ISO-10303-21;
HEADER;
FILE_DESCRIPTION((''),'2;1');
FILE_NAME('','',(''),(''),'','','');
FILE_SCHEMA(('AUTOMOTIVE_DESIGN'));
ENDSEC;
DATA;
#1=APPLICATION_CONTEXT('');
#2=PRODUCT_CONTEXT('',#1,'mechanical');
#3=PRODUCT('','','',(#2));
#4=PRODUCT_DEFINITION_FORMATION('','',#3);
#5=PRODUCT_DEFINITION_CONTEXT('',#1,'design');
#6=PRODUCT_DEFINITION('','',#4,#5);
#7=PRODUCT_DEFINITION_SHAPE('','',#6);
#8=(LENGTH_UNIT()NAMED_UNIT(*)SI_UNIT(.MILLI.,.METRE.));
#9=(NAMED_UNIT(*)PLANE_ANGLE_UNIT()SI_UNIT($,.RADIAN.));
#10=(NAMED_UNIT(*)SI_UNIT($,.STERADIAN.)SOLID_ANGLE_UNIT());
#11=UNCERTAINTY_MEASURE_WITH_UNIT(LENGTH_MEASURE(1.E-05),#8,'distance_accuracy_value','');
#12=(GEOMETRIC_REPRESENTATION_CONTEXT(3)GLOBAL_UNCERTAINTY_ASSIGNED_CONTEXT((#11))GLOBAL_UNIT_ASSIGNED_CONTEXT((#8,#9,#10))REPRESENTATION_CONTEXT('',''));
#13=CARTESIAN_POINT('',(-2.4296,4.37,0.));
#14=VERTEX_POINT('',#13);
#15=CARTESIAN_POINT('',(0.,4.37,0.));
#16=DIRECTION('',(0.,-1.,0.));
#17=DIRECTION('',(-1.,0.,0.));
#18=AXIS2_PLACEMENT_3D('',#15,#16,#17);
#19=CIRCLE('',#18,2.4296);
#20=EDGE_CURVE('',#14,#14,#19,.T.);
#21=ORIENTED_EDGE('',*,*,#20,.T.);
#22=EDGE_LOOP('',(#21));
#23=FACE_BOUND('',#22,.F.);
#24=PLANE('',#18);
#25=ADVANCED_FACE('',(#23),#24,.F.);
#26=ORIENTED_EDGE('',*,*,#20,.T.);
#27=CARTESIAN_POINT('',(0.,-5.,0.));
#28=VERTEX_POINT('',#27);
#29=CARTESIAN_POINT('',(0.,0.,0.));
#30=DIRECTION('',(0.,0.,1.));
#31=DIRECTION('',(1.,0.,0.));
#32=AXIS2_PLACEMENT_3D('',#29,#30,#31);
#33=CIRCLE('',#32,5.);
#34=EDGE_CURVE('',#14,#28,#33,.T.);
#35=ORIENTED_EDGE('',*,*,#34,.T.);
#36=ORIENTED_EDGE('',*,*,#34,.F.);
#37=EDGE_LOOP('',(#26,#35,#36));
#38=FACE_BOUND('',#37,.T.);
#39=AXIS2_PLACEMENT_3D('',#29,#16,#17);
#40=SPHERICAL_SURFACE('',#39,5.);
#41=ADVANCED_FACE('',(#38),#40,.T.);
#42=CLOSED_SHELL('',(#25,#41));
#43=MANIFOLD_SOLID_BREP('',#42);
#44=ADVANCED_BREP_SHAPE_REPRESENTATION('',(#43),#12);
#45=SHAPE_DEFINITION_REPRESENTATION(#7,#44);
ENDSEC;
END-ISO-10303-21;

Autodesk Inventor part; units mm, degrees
ref_plane "YZ Plane" through (0, 0, 0) normal (1, 0, 0) x (0, 1, 0)
ref_plane "XZ Plane" through (0, 0, 0) normal (0, 1, 0) x (-1, 0, 0)
ref_plane "XY Plane" through (0, 0, 0) normal (0, 0, 1) x (1, 0, 0)
sketch "Sketch1" plane through (0, 0, 0) normal (0, 0, 1) x (1, 0, 0)
  circle A0 centre (0, 0) radius 5
  line L0 (-3.2169, -5) -> (4.2904, -5) construction
  line L1 (-2.4296, 4.37) -> (2.4296, 4.37)
  line L2 (0, 4.37) -> (0, -5)
  dimension "d0" = 10
  dimension "d1" = 9.37
revolve "Revolution1" add sketch "Sketch1" angle 360 about axis through (0, 4.37, 0) along (0, -1, 0) picked at (-0.3953, -1.8291) contours A0 L1 L2
properties part number "Ball"
